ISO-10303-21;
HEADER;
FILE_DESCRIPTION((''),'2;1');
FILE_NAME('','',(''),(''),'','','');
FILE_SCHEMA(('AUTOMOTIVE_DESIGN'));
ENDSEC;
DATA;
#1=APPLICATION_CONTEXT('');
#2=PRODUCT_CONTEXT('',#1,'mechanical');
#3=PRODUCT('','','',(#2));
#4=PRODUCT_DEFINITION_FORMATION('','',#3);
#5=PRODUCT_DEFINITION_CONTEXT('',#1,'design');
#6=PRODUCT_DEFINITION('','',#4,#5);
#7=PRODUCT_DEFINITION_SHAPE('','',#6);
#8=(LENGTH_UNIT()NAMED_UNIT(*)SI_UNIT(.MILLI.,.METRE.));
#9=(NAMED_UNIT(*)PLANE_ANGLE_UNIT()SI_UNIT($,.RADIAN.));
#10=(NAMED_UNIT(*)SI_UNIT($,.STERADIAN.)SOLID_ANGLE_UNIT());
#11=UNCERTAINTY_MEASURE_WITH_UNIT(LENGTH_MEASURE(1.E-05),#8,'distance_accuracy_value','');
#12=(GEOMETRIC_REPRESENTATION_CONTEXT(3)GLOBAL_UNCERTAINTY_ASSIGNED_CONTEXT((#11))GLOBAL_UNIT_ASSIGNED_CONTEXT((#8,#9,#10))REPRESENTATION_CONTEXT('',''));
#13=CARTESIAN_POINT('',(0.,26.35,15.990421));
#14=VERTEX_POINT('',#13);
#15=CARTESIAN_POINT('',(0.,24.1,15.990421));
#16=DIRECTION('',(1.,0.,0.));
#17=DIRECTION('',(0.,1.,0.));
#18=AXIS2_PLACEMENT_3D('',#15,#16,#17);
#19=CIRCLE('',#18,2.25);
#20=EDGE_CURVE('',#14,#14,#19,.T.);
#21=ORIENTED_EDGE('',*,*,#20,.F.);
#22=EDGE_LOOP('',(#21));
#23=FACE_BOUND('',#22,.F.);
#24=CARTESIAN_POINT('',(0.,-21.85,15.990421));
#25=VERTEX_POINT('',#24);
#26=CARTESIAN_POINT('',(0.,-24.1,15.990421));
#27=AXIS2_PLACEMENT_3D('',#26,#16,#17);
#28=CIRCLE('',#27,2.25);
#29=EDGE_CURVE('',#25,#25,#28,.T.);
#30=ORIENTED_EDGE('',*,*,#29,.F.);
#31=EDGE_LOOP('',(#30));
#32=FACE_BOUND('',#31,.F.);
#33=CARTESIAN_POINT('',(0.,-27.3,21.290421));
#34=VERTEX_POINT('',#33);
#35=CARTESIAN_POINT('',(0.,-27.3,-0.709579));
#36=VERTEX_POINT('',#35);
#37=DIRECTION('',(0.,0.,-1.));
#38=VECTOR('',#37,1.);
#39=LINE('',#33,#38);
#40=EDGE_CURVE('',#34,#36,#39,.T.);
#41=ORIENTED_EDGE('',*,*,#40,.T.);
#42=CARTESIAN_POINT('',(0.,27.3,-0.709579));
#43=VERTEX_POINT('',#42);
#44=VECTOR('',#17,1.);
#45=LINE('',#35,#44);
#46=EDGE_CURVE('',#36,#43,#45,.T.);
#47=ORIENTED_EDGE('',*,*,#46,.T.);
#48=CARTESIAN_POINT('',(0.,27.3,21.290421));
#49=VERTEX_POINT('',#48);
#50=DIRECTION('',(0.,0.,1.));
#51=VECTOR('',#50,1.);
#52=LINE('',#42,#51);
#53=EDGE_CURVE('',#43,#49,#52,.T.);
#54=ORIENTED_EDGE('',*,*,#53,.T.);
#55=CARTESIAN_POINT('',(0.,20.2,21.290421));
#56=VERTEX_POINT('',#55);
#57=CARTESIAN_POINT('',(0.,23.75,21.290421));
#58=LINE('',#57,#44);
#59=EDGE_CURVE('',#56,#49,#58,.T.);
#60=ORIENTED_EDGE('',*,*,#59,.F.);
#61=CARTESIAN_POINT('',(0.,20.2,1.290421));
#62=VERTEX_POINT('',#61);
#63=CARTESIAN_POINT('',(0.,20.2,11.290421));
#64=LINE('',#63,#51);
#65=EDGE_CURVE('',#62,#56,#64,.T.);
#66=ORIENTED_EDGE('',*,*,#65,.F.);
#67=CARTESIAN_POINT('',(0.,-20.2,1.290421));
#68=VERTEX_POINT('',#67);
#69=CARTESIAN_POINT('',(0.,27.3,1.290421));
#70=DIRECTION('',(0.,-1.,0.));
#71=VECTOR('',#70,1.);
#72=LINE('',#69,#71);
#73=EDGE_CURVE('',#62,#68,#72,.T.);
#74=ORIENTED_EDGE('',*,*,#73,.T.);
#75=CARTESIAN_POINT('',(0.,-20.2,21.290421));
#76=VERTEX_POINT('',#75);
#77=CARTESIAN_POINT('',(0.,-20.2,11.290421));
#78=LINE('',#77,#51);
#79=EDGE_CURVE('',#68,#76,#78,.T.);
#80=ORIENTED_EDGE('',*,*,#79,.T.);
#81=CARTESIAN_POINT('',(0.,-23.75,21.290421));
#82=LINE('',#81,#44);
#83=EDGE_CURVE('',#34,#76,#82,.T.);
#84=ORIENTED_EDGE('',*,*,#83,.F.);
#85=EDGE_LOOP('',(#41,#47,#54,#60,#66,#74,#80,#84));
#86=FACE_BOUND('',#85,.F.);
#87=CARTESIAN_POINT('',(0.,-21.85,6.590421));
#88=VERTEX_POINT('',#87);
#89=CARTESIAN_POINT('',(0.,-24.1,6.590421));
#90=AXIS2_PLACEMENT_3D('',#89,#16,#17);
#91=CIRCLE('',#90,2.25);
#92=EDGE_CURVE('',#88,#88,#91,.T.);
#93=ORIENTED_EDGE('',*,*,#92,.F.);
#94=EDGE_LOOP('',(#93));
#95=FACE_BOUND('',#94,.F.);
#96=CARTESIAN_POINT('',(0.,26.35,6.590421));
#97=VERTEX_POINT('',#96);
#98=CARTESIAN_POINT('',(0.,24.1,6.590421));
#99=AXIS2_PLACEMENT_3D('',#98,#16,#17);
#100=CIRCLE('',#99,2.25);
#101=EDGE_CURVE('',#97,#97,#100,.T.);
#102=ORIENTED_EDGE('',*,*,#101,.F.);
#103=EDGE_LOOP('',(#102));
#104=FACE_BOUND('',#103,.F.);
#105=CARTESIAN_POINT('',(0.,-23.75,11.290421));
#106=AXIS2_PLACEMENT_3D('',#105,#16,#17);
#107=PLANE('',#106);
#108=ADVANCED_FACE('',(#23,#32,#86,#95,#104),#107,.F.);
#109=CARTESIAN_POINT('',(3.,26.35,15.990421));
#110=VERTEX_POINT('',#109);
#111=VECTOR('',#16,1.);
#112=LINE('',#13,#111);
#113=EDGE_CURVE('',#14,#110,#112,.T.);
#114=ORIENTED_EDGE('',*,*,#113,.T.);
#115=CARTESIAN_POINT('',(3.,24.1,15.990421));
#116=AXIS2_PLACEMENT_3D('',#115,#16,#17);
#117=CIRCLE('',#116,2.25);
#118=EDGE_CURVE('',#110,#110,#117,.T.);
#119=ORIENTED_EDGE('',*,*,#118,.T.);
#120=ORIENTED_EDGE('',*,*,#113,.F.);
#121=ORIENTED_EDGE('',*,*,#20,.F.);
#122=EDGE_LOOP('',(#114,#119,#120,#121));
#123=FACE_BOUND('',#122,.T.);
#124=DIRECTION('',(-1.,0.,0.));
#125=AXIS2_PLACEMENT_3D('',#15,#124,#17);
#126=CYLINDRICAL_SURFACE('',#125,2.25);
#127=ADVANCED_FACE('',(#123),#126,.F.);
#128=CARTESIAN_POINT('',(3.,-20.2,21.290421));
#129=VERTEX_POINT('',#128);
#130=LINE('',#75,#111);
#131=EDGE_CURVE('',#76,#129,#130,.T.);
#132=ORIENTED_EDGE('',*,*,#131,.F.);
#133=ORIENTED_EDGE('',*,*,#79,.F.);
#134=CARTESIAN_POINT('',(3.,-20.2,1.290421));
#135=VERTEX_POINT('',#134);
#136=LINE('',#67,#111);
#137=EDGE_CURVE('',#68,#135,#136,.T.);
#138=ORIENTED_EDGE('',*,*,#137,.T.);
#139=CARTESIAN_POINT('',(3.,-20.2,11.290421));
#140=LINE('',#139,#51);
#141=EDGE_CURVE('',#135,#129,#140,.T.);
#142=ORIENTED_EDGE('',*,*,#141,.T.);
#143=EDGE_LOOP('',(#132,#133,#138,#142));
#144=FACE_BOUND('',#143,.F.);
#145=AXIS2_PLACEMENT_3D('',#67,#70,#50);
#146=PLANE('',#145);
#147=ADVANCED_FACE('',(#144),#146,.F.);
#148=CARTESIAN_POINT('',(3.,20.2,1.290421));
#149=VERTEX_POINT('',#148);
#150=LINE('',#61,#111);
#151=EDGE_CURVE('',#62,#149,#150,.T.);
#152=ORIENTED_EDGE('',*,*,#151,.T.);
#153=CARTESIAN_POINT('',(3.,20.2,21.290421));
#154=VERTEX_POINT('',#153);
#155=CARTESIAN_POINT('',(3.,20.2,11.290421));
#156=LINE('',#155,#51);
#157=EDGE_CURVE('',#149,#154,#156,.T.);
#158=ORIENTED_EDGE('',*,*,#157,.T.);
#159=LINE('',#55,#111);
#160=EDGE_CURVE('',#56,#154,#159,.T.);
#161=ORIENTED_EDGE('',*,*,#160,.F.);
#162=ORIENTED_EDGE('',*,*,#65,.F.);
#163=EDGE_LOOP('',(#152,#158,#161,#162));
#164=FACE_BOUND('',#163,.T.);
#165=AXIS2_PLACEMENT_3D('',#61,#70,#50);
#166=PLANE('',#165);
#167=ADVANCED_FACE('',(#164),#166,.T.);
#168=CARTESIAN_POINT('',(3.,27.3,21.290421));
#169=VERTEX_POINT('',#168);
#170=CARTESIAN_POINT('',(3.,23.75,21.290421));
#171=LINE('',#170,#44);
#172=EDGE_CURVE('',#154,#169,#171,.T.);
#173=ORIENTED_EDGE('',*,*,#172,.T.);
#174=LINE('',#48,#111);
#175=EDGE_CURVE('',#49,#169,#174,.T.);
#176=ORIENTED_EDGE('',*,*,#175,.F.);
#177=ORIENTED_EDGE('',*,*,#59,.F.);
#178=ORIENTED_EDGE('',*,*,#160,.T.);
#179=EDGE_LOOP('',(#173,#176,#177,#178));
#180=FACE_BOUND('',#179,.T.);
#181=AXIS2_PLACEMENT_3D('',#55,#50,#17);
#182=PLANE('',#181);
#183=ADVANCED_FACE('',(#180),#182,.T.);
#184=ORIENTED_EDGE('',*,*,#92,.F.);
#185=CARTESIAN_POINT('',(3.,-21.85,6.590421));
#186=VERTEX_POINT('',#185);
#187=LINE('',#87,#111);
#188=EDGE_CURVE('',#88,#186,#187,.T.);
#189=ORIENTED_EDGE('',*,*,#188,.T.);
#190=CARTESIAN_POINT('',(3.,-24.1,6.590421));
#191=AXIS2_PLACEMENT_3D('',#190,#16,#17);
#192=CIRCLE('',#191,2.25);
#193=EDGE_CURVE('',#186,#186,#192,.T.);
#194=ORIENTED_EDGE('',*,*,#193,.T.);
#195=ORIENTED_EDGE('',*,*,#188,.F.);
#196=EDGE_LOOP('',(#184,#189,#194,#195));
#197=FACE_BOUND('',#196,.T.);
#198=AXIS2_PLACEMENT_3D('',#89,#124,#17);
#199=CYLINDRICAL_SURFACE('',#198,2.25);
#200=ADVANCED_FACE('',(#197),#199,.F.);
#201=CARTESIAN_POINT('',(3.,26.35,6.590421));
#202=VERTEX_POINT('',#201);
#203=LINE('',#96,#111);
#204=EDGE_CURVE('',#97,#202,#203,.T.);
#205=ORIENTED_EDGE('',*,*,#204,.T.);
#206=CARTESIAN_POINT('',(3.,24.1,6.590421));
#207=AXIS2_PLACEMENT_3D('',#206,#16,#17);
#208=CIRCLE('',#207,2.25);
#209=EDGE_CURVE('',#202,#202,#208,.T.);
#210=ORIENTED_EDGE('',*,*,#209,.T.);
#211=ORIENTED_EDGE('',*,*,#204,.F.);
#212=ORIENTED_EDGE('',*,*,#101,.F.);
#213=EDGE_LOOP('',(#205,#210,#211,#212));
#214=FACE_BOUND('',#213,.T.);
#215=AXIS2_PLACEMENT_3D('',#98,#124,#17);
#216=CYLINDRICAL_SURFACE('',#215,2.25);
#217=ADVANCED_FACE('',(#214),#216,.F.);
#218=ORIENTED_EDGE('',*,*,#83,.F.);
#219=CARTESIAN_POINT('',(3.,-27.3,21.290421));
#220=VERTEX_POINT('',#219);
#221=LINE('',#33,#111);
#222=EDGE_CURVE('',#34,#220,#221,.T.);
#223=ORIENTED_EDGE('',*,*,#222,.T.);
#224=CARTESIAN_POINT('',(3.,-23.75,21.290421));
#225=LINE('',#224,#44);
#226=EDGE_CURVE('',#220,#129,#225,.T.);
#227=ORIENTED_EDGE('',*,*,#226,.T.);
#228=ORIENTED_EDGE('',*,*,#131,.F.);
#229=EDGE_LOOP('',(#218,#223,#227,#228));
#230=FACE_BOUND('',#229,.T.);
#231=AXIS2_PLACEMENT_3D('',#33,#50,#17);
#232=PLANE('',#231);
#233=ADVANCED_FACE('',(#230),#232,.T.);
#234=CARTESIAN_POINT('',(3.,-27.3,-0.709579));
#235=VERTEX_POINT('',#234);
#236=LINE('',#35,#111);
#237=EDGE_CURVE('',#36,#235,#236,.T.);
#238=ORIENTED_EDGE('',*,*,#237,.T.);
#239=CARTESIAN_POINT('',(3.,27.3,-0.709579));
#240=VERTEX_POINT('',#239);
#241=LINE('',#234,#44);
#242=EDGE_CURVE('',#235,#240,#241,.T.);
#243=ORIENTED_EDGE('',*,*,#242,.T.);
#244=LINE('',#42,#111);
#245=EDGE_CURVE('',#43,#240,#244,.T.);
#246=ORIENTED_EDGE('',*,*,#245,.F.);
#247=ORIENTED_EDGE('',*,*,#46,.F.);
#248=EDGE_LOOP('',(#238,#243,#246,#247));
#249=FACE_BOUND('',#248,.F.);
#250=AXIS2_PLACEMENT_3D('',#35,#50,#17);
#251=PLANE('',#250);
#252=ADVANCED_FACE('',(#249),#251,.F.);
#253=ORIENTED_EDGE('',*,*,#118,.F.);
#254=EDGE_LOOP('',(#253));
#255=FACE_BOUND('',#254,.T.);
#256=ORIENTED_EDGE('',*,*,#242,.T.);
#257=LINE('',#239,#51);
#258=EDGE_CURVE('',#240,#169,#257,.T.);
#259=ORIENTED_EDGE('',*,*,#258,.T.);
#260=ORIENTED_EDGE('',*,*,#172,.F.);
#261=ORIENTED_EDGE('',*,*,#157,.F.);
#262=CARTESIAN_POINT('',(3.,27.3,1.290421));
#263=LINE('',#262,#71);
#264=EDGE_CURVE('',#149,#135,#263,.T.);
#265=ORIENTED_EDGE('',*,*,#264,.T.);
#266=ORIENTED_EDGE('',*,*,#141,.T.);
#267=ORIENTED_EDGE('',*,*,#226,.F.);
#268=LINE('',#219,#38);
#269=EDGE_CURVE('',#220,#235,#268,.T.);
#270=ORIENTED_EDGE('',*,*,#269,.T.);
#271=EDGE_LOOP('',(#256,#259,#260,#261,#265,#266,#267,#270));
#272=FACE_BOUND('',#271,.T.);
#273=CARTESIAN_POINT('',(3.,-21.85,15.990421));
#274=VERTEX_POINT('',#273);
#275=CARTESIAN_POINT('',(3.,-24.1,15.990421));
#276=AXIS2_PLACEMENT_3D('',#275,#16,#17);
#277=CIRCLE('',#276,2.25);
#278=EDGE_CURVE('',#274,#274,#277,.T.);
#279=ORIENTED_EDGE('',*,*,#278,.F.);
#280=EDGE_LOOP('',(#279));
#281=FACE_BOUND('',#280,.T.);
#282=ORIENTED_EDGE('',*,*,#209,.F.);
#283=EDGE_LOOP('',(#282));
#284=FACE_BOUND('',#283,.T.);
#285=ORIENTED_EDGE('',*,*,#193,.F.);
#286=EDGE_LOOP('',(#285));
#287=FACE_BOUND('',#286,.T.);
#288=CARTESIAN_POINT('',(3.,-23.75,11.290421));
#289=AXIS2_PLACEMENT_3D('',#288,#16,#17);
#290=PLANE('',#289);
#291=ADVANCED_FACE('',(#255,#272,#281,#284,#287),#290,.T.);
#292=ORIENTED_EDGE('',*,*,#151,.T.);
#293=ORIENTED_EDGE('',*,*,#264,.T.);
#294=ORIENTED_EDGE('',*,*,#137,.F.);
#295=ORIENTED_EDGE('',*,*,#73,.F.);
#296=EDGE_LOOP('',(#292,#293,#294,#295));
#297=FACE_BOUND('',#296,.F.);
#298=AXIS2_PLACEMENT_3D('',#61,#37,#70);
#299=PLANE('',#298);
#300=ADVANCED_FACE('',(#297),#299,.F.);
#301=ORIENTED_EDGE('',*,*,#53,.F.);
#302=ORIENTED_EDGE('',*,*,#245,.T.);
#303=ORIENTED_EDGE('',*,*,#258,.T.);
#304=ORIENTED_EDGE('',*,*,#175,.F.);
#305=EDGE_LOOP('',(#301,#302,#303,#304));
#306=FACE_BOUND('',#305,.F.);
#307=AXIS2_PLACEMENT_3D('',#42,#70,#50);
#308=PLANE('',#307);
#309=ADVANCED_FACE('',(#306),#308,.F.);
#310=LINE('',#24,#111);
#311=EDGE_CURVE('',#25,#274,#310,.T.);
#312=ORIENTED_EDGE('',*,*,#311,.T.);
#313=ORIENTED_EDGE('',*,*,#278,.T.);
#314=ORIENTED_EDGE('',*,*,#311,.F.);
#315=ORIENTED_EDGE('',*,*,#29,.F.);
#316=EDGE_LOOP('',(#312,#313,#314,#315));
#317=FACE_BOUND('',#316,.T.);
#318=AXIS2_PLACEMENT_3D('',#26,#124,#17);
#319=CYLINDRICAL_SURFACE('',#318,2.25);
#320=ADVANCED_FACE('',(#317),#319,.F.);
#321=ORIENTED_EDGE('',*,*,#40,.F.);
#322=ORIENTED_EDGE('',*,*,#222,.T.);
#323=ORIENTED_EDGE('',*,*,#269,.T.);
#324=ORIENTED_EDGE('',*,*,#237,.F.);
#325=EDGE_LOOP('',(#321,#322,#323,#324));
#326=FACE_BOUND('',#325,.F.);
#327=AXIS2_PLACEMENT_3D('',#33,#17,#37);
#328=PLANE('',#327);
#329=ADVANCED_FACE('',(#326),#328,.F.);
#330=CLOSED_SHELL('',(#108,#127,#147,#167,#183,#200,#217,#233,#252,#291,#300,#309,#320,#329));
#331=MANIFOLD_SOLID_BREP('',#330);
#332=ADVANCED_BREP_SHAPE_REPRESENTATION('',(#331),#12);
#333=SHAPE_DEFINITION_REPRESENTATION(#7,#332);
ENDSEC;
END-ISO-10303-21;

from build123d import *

# Parameters (mm, degrees)
F0_W     = 7.1
F0_H     = 20
F0_R     = 2.25
F1_DEPTH = 3


with BuildPart() as f1:
    # F0 (on Right) → F1 (new body)
    with BuildSketch(Plane.YZ):
        with Locations((-23.75, 11.290421)):
            Rectangle(F0_W, F0_H)
        with Locations((-24.1, 6.590421)):
            Circle(F0_R, mode=Mode.SUBTRACT)
        with Locations((-24.1, 15.990421)):
            Circle(F0_R, mode=Mode.SUBTRACT)
        Polygon((-20.2, 1.290421), (-27.3, 1.290421), (-27.3, -0.709579), (27.3, -0.709579), (27.3, 1.290421), (20.2, 1.290421), align=None)
        with Locations((23.75, 11.290421)):
            Rectangle(F0_W, F0_H)
        with Locations((24.1, 6.590421)):
            Circle(F0_R, mode=Mode.SUBTRACT)
        with Locations((24.1, 15.990421)):
            Circle(F0_R, mode=Mode.SUBTRACT)
    extrude(amount=F1_DEPTH)


solid = f1.part
